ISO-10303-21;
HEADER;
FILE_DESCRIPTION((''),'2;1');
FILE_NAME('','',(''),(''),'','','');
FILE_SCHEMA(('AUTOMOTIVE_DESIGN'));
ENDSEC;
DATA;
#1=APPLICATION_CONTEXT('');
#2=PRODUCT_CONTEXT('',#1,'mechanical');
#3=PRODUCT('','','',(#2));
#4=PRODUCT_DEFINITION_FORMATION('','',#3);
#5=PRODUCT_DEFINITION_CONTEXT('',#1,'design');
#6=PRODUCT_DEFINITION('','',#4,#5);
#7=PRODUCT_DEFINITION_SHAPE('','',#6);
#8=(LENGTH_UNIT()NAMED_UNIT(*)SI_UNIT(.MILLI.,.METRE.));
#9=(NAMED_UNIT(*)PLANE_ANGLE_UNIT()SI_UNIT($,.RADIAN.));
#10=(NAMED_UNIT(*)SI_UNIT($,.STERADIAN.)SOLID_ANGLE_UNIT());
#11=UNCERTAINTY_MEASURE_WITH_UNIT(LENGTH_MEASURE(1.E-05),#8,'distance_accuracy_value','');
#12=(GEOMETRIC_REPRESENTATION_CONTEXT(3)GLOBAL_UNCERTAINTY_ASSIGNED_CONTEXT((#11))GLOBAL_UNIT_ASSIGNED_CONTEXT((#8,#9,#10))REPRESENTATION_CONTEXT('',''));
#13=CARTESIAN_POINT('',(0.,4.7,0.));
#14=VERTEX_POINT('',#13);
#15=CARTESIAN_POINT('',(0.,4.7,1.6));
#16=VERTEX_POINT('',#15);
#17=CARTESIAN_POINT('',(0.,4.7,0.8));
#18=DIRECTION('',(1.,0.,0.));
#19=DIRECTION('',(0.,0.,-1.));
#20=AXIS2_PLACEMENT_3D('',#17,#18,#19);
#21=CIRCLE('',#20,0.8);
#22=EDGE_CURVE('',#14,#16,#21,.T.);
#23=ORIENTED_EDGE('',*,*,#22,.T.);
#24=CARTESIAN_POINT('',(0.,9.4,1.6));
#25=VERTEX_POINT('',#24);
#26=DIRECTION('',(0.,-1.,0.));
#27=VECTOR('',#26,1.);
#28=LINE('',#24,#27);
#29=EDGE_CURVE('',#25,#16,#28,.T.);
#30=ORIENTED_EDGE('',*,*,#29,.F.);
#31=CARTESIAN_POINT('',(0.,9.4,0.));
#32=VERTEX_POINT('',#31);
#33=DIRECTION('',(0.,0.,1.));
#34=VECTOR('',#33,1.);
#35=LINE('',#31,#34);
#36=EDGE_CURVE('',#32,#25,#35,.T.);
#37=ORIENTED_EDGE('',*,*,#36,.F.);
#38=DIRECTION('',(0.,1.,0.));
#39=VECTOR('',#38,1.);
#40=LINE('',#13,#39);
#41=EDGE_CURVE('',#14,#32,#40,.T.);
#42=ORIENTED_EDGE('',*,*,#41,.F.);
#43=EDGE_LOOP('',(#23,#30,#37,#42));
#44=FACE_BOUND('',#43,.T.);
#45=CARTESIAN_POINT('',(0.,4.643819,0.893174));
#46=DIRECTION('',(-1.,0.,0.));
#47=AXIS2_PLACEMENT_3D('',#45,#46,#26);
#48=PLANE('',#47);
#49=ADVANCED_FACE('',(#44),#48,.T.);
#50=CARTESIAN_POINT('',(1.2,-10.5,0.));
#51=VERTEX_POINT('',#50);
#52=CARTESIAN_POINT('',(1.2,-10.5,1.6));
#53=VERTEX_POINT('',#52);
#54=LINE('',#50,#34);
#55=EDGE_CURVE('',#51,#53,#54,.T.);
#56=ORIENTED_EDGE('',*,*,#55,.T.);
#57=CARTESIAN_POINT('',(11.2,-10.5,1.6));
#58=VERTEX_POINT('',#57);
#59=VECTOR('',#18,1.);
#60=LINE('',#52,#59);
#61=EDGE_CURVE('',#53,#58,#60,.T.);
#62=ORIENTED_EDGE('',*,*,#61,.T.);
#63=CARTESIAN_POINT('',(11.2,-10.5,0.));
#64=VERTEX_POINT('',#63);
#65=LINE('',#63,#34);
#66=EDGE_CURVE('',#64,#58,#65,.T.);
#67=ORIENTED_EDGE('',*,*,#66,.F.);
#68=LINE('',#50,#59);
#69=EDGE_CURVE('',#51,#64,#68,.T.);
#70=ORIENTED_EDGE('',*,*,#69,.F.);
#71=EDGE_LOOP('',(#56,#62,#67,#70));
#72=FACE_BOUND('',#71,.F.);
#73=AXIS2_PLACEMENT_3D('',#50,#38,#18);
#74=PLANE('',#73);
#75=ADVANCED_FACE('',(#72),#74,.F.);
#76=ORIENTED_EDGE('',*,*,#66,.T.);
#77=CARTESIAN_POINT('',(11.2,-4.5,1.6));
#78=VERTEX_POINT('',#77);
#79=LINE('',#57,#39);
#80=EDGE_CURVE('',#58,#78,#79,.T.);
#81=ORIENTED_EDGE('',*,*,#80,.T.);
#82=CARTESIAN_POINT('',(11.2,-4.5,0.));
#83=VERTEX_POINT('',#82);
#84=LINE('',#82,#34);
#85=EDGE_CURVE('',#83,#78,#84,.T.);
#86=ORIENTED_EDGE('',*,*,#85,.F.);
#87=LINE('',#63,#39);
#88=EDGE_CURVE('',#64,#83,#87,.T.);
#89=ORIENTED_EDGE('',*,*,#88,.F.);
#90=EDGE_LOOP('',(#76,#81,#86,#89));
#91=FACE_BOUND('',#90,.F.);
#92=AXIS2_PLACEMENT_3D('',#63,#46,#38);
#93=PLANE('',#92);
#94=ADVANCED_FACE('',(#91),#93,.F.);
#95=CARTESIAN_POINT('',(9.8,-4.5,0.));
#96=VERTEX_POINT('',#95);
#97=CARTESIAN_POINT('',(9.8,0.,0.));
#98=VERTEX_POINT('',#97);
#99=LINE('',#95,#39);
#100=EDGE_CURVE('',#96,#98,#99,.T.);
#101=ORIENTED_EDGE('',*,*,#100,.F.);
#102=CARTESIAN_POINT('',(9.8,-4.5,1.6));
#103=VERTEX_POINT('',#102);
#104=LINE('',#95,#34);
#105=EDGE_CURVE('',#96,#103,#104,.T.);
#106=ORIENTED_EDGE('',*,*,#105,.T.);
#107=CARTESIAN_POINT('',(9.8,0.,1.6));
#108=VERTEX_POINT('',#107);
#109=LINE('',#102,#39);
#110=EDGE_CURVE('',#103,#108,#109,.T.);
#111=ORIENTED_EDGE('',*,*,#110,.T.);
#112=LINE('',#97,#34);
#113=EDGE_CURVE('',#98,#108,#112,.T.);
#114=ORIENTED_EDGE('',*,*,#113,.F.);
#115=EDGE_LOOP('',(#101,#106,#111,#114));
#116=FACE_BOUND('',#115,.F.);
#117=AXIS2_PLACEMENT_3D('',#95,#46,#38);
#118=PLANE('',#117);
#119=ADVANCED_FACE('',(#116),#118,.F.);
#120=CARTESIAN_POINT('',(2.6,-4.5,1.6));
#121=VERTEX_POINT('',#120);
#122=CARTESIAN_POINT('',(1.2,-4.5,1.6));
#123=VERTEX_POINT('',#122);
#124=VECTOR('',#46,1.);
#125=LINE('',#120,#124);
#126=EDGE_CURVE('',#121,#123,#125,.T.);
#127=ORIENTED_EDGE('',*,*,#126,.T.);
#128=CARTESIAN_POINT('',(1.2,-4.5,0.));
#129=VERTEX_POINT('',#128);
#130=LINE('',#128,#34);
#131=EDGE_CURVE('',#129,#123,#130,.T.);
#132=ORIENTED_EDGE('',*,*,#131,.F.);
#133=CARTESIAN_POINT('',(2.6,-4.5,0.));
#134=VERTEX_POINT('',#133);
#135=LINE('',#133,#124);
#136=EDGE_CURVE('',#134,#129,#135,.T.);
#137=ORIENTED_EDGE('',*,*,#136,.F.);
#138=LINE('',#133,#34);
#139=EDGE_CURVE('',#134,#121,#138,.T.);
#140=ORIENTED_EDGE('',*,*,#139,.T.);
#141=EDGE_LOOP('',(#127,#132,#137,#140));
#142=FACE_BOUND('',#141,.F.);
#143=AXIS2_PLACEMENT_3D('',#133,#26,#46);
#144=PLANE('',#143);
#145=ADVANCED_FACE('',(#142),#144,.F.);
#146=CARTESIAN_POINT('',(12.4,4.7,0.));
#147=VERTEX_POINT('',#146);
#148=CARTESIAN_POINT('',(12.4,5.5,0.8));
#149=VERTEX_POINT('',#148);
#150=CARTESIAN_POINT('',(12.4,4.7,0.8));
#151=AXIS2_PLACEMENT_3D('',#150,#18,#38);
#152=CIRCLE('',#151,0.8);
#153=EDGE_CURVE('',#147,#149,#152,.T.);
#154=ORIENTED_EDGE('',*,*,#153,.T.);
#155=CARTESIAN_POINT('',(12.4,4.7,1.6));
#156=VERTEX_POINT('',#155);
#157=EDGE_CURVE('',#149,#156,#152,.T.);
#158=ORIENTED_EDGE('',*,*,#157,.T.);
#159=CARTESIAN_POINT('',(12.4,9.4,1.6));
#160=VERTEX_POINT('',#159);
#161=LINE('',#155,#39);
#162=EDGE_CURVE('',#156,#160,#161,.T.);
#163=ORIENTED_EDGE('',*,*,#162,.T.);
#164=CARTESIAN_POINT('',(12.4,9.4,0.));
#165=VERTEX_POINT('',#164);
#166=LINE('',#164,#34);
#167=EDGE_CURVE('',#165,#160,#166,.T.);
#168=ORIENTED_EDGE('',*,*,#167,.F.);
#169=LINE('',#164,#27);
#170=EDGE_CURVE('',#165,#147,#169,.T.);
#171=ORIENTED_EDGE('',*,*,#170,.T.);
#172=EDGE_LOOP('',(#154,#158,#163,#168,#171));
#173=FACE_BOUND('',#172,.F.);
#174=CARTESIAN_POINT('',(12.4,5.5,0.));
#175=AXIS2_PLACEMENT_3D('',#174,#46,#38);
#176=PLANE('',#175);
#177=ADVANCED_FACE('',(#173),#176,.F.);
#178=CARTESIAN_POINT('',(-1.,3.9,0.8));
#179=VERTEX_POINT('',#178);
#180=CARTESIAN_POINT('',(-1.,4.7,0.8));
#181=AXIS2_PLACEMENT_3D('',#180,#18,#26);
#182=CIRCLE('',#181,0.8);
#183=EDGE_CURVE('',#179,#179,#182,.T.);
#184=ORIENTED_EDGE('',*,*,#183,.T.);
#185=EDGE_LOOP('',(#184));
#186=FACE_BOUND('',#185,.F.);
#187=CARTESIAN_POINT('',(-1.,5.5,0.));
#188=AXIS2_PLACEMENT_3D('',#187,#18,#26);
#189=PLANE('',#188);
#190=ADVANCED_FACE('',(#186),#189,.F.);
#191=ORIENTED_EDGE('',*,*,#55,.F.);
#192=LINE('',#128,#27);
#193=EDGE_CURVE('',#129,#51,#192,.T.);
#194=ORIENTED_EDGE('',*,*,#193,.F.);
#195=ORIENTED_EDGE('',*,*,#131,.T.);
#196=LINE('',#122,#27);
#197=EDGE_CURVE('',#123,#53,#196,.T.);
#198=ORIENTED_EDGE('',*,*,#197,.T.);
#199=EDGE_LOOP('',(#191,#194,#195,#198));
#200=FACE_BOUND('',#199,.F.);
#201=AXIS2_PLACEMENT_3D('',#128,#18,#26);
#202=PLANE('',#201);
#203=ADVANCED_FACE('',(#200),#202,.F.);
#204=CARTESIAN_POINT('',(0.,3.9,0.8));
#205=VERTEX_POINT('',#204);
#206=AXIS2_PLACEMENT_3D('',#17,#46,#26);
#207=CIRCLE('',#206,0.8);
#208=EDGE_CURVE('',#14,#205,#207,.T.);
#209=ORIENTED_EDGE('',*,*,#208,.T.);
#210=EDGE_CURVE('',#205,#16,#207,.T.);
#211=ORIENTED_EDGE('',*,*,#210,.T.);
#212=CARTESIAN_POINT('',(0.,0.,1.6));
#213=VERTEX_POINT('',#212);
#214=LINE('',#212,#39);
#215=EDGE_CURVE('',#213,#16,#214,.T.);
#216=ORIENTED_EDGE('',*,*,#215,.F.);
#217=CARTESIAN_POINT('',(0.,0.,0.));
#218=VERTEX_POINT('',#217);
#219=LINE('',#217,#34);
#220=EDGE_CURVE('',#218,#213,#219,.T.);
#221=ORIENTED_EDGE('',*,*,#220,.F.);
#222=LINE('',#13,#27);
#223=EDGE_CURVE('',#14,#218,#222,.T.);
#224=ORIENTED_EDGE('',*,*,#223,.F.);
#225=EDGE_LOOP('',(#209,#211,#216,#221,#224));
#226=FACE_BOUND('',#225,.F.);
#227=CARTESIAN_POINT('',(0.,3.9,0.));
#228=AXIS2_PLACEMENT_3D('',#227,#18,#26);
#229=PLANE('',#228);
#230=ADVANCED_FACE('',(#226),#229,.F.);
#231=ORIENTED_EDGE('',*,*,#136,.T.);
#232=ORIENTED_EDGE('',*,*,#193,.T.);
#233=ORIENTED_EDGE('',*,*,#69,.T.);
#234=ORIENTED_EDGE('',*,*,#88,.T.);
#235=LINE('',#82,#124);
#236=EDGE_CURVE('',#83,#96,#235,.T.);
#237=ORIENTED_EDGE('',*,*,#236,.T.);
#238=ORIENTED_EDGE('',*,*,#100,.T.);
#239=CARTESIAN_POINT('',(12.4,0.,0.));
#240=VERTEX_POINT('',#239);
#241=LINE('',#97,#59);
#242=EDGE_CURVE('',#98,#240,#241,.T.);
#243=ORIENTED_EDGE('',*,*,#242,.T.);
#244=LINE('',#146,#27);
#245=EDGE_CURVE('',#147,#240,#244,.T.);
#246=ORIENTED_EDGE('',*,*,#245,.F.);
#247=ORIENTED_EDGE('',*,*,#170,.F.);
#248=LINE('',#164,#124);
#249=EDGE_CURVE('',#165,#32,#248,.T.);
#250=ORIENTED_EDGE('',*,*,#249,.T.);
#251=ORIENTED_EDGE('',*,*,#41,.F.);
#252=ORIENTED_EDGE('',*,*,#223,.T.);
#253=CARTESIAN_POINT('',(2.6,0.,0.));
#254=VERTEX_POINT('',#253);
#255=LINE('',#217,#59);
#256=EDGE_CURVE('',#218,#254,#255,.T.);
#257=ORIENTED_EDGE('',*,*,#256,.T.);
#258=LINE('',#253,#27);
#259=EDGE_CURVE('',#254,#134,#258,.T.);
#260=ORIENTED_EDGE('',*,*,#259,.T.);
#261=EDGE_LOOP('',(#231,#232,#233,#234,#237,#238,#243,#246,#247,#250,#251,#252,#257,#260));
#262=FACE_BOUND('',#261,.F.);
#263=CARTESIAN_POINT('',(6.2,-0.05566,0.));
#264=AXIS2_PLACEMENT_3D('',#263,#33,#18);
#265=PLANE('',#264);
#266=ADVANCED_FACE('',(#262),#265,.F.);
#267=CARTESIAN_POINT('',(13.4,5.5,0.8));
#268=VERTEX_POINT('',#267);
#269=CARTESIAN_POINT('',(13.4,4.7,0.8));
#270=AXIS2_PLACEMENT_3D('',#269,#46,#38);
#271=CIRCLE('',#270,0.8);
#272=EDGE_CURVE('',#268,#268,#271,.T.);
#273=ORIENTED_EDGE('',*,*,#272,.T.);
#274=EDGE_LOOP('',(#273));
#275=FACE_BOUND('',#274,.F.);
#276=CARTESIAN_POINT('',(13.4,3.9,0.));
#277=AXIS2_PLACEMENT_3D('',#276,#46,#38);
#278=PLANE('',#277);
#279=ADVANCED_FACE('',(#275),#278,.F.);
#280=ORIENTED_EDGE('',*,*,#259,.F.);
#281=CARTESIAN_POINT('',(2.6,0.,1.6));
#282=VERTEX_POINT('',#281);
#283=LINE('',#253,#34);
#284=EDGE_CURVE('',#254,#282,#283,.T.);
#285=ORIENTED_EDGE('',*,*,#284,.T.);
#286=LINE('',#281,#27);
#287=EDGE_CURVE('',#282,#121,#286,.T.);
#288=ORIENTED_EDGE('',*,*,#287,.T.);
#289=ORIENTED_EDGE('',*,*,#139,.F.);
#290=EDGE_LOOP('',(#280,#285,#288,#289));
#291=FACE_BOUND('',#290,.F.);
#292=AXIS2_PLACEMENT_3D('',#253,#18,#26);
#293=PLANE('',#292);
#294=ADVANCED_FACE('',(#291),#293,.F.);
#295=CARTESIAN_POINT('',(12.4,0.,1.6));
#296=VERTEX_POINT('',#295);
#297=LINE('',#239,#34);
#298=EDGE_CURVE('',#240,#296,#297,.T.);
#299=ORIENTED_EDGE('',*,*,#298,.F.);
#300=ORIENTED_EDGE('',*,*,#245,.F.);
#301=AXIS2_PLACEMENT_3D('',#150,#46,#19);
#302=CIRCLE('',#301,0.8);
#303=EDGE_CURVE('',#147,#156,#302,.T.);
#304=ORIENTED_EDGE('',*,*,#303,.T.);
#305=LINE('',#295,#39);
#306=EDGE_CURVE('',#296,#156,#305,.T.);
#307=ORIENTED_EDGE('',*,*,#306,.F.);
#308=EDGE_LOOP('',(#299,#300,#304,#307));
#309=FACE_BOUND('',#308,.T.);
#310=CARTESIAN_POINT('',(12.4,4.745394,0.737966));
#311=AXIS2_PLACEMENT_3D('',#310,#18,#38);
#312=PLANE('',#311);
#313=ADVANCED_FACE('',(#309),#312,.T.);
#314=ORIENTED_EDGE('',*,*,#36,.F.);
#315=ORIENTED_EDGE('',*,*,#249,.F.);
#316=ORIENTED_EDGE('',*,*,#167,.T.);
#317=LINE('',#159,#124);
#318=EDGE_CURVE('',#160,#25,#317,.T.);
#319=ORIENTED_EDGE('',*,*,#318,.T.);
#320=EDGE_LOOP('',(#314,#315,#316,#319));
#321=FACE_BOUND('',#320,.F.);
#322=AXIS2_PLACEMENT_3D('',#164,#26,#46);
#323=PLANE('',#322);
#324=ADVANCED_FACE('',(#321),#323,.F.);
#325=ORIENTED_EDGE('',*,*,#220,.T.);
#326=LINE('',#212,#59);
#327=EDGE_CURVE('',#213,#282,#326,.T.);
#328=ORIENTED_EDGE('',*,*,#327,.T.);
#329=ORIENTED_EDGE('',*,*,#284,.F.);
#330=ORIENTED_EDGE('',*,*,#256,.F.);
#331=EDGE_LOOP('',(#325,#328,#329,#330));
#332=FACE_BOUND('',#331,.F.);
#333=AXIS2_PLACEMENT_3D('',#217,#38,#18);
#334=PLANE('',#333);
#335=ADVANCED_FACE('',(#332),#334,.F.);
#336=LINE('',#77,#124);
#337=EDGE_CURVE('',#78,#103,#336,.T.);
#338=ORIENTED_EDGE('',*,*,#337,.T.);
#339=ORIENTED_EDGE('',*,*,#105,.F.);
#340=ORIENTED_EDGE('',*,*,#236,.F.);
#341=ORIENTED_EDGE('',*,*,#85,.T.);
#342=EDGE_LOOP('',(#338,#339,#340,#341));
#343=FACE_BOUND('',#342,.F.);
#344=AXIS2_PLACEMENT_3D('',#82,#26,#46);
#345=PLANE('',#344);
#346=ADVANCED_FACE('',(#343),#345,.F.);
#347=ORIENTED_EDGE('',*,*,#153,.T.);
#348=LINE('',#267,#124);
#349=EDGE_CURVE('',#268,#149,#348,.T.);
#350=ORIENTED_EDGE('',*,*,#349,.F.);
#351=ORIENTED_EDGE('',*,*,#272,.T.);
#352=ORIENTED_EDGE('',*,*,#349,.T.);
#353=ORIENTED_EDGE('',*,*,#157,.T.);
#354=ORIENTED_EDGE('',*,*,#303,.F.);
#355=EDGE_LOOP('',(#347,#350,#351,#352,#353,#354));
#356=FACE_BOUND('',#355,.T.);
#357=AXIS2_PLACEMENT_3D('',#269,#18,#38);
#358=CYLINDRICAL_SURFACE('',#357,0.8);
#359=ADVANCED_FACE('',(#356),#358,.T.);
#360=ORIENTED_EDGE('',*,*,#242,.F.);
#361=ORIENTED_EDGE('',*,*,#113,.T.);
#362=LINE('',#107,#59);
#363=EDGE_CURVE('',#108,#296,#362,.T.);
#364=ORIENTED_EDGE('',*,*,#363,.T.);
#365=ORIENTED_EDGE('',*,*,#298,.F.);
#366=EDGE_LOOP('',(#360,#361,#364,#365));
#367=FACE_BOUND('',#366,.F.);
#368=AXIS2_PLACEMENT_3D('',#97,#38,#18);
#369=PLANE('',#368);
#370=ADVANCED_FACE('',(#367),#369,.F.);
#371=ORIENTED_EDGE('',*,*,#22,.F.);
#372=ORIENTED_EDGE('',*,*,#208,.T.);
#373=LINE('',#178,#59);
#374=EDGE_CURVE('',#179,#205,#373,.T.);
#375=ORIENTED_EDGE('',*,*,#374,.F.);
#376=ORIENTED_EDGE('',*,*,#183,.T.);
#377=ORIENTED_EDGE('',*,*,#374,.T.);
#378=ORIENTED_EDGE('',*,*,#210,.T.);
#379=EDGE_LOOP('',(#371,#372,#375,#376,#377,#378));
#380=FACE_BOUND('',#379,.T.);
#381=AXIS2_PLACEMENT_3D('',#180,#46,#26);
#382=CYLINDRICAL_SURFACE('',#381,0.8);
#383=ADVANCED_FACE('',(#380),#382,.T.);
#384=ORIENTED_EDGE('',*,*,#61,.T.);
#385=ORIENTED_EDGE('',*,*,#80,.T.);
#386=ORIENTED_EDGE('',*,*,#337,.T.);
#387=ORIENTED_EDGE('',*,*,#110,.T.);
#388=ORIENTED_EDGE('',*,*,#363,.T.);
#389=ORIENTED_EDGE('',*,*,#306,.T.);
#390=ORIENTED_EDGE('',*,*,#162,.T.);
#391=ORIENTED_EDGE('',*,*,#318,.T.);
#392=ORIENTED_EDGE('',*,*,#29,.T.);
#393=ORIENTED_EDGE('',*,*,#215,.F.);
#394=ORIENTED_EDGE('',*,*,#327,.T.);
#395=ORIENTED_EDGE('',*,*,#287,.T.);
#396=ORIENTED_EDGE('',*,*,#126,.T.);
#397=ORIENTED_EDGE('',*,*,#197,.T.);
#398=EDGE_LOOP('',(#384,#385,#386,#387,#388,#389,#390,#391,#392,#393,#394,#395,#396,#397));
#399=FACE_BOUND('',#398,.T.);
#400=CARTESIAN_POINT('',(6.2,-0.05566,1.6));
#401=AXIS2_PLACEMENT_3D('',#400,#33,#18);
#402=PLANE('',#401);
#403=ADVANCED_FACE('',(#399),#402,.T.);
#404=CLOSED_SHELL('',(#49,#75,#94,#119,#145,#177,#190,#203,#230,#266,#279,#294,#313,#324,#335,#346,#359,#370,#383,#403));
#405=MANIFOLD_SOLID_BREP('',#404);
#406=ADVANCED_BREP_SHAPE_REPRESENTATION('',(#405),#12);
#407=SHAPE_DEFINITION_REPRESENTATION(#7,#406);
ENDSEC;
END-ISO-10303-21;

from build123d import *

# Parameters (mm, degrees)
F1_DEPTH = 1.6
F2_W     = 3.14566
F2_H     = 3.226229
F2_R     = 0.8
F3_DEPTH = 1
F4_W     = 2.903376
F4_H     = 2.958158
F4_R     = 0.8
F5_DEPTH = 1


with BuildPart() as f1:
    # F0 (on Top) → F1 (new body)
    with BuildSketch(Plane.XY):
        Polygon((0, 3.9), (0, 0), (2.6, 0), (2.6, -4.5), (1.2, -4.5), (1.2, -10.5), (11.2, -10.5), (11.2, -4.5), (9.8, -4.5), (9.8, 0), (12.4, 0), (12.4, 3.9), (13.4, 3.9), (13.4, 5.5), (12.4, 5.5), (12.4, 9.4), (0, 9.4), (0, 5.5), (-1, 5.5), (-1, 3.9), align=None)
    extrude(amount=F1_DEPTH)

    # F2 (on face) → F3 (cut, through all)
    with BuildSketch(Plane(origin=(-1, 0, 0), x_dir=(0, -1, 0), z_dir=(-1, 0, 0))):
        with Locations((-4.643819, 0.893174)):
            Rectangle(F2_W, F2_H)
        with Locations((-4.7, 0.8)):
            Circle(F2_R, mode=Mode.SUBTRACT)
    extrude(amount=-F3_DEPTH, mode=Mode.SUBTRACT)

    # F4 (on face) → F5 (cut, through all)
    with BuildSketch(Plane.YZ.offset(13.4)):
        with Locations((4.745394, 0.737966)):
            Rectangle(F4_W, F4_H)
        with Locations((4.7, 0.8)):
            Circle(F4_R, mode=Mode.SUBTRACT)
    extrude(amount=-F5_DEPTH, mode=Mode.SUBTRACT)


solid = f1.part
